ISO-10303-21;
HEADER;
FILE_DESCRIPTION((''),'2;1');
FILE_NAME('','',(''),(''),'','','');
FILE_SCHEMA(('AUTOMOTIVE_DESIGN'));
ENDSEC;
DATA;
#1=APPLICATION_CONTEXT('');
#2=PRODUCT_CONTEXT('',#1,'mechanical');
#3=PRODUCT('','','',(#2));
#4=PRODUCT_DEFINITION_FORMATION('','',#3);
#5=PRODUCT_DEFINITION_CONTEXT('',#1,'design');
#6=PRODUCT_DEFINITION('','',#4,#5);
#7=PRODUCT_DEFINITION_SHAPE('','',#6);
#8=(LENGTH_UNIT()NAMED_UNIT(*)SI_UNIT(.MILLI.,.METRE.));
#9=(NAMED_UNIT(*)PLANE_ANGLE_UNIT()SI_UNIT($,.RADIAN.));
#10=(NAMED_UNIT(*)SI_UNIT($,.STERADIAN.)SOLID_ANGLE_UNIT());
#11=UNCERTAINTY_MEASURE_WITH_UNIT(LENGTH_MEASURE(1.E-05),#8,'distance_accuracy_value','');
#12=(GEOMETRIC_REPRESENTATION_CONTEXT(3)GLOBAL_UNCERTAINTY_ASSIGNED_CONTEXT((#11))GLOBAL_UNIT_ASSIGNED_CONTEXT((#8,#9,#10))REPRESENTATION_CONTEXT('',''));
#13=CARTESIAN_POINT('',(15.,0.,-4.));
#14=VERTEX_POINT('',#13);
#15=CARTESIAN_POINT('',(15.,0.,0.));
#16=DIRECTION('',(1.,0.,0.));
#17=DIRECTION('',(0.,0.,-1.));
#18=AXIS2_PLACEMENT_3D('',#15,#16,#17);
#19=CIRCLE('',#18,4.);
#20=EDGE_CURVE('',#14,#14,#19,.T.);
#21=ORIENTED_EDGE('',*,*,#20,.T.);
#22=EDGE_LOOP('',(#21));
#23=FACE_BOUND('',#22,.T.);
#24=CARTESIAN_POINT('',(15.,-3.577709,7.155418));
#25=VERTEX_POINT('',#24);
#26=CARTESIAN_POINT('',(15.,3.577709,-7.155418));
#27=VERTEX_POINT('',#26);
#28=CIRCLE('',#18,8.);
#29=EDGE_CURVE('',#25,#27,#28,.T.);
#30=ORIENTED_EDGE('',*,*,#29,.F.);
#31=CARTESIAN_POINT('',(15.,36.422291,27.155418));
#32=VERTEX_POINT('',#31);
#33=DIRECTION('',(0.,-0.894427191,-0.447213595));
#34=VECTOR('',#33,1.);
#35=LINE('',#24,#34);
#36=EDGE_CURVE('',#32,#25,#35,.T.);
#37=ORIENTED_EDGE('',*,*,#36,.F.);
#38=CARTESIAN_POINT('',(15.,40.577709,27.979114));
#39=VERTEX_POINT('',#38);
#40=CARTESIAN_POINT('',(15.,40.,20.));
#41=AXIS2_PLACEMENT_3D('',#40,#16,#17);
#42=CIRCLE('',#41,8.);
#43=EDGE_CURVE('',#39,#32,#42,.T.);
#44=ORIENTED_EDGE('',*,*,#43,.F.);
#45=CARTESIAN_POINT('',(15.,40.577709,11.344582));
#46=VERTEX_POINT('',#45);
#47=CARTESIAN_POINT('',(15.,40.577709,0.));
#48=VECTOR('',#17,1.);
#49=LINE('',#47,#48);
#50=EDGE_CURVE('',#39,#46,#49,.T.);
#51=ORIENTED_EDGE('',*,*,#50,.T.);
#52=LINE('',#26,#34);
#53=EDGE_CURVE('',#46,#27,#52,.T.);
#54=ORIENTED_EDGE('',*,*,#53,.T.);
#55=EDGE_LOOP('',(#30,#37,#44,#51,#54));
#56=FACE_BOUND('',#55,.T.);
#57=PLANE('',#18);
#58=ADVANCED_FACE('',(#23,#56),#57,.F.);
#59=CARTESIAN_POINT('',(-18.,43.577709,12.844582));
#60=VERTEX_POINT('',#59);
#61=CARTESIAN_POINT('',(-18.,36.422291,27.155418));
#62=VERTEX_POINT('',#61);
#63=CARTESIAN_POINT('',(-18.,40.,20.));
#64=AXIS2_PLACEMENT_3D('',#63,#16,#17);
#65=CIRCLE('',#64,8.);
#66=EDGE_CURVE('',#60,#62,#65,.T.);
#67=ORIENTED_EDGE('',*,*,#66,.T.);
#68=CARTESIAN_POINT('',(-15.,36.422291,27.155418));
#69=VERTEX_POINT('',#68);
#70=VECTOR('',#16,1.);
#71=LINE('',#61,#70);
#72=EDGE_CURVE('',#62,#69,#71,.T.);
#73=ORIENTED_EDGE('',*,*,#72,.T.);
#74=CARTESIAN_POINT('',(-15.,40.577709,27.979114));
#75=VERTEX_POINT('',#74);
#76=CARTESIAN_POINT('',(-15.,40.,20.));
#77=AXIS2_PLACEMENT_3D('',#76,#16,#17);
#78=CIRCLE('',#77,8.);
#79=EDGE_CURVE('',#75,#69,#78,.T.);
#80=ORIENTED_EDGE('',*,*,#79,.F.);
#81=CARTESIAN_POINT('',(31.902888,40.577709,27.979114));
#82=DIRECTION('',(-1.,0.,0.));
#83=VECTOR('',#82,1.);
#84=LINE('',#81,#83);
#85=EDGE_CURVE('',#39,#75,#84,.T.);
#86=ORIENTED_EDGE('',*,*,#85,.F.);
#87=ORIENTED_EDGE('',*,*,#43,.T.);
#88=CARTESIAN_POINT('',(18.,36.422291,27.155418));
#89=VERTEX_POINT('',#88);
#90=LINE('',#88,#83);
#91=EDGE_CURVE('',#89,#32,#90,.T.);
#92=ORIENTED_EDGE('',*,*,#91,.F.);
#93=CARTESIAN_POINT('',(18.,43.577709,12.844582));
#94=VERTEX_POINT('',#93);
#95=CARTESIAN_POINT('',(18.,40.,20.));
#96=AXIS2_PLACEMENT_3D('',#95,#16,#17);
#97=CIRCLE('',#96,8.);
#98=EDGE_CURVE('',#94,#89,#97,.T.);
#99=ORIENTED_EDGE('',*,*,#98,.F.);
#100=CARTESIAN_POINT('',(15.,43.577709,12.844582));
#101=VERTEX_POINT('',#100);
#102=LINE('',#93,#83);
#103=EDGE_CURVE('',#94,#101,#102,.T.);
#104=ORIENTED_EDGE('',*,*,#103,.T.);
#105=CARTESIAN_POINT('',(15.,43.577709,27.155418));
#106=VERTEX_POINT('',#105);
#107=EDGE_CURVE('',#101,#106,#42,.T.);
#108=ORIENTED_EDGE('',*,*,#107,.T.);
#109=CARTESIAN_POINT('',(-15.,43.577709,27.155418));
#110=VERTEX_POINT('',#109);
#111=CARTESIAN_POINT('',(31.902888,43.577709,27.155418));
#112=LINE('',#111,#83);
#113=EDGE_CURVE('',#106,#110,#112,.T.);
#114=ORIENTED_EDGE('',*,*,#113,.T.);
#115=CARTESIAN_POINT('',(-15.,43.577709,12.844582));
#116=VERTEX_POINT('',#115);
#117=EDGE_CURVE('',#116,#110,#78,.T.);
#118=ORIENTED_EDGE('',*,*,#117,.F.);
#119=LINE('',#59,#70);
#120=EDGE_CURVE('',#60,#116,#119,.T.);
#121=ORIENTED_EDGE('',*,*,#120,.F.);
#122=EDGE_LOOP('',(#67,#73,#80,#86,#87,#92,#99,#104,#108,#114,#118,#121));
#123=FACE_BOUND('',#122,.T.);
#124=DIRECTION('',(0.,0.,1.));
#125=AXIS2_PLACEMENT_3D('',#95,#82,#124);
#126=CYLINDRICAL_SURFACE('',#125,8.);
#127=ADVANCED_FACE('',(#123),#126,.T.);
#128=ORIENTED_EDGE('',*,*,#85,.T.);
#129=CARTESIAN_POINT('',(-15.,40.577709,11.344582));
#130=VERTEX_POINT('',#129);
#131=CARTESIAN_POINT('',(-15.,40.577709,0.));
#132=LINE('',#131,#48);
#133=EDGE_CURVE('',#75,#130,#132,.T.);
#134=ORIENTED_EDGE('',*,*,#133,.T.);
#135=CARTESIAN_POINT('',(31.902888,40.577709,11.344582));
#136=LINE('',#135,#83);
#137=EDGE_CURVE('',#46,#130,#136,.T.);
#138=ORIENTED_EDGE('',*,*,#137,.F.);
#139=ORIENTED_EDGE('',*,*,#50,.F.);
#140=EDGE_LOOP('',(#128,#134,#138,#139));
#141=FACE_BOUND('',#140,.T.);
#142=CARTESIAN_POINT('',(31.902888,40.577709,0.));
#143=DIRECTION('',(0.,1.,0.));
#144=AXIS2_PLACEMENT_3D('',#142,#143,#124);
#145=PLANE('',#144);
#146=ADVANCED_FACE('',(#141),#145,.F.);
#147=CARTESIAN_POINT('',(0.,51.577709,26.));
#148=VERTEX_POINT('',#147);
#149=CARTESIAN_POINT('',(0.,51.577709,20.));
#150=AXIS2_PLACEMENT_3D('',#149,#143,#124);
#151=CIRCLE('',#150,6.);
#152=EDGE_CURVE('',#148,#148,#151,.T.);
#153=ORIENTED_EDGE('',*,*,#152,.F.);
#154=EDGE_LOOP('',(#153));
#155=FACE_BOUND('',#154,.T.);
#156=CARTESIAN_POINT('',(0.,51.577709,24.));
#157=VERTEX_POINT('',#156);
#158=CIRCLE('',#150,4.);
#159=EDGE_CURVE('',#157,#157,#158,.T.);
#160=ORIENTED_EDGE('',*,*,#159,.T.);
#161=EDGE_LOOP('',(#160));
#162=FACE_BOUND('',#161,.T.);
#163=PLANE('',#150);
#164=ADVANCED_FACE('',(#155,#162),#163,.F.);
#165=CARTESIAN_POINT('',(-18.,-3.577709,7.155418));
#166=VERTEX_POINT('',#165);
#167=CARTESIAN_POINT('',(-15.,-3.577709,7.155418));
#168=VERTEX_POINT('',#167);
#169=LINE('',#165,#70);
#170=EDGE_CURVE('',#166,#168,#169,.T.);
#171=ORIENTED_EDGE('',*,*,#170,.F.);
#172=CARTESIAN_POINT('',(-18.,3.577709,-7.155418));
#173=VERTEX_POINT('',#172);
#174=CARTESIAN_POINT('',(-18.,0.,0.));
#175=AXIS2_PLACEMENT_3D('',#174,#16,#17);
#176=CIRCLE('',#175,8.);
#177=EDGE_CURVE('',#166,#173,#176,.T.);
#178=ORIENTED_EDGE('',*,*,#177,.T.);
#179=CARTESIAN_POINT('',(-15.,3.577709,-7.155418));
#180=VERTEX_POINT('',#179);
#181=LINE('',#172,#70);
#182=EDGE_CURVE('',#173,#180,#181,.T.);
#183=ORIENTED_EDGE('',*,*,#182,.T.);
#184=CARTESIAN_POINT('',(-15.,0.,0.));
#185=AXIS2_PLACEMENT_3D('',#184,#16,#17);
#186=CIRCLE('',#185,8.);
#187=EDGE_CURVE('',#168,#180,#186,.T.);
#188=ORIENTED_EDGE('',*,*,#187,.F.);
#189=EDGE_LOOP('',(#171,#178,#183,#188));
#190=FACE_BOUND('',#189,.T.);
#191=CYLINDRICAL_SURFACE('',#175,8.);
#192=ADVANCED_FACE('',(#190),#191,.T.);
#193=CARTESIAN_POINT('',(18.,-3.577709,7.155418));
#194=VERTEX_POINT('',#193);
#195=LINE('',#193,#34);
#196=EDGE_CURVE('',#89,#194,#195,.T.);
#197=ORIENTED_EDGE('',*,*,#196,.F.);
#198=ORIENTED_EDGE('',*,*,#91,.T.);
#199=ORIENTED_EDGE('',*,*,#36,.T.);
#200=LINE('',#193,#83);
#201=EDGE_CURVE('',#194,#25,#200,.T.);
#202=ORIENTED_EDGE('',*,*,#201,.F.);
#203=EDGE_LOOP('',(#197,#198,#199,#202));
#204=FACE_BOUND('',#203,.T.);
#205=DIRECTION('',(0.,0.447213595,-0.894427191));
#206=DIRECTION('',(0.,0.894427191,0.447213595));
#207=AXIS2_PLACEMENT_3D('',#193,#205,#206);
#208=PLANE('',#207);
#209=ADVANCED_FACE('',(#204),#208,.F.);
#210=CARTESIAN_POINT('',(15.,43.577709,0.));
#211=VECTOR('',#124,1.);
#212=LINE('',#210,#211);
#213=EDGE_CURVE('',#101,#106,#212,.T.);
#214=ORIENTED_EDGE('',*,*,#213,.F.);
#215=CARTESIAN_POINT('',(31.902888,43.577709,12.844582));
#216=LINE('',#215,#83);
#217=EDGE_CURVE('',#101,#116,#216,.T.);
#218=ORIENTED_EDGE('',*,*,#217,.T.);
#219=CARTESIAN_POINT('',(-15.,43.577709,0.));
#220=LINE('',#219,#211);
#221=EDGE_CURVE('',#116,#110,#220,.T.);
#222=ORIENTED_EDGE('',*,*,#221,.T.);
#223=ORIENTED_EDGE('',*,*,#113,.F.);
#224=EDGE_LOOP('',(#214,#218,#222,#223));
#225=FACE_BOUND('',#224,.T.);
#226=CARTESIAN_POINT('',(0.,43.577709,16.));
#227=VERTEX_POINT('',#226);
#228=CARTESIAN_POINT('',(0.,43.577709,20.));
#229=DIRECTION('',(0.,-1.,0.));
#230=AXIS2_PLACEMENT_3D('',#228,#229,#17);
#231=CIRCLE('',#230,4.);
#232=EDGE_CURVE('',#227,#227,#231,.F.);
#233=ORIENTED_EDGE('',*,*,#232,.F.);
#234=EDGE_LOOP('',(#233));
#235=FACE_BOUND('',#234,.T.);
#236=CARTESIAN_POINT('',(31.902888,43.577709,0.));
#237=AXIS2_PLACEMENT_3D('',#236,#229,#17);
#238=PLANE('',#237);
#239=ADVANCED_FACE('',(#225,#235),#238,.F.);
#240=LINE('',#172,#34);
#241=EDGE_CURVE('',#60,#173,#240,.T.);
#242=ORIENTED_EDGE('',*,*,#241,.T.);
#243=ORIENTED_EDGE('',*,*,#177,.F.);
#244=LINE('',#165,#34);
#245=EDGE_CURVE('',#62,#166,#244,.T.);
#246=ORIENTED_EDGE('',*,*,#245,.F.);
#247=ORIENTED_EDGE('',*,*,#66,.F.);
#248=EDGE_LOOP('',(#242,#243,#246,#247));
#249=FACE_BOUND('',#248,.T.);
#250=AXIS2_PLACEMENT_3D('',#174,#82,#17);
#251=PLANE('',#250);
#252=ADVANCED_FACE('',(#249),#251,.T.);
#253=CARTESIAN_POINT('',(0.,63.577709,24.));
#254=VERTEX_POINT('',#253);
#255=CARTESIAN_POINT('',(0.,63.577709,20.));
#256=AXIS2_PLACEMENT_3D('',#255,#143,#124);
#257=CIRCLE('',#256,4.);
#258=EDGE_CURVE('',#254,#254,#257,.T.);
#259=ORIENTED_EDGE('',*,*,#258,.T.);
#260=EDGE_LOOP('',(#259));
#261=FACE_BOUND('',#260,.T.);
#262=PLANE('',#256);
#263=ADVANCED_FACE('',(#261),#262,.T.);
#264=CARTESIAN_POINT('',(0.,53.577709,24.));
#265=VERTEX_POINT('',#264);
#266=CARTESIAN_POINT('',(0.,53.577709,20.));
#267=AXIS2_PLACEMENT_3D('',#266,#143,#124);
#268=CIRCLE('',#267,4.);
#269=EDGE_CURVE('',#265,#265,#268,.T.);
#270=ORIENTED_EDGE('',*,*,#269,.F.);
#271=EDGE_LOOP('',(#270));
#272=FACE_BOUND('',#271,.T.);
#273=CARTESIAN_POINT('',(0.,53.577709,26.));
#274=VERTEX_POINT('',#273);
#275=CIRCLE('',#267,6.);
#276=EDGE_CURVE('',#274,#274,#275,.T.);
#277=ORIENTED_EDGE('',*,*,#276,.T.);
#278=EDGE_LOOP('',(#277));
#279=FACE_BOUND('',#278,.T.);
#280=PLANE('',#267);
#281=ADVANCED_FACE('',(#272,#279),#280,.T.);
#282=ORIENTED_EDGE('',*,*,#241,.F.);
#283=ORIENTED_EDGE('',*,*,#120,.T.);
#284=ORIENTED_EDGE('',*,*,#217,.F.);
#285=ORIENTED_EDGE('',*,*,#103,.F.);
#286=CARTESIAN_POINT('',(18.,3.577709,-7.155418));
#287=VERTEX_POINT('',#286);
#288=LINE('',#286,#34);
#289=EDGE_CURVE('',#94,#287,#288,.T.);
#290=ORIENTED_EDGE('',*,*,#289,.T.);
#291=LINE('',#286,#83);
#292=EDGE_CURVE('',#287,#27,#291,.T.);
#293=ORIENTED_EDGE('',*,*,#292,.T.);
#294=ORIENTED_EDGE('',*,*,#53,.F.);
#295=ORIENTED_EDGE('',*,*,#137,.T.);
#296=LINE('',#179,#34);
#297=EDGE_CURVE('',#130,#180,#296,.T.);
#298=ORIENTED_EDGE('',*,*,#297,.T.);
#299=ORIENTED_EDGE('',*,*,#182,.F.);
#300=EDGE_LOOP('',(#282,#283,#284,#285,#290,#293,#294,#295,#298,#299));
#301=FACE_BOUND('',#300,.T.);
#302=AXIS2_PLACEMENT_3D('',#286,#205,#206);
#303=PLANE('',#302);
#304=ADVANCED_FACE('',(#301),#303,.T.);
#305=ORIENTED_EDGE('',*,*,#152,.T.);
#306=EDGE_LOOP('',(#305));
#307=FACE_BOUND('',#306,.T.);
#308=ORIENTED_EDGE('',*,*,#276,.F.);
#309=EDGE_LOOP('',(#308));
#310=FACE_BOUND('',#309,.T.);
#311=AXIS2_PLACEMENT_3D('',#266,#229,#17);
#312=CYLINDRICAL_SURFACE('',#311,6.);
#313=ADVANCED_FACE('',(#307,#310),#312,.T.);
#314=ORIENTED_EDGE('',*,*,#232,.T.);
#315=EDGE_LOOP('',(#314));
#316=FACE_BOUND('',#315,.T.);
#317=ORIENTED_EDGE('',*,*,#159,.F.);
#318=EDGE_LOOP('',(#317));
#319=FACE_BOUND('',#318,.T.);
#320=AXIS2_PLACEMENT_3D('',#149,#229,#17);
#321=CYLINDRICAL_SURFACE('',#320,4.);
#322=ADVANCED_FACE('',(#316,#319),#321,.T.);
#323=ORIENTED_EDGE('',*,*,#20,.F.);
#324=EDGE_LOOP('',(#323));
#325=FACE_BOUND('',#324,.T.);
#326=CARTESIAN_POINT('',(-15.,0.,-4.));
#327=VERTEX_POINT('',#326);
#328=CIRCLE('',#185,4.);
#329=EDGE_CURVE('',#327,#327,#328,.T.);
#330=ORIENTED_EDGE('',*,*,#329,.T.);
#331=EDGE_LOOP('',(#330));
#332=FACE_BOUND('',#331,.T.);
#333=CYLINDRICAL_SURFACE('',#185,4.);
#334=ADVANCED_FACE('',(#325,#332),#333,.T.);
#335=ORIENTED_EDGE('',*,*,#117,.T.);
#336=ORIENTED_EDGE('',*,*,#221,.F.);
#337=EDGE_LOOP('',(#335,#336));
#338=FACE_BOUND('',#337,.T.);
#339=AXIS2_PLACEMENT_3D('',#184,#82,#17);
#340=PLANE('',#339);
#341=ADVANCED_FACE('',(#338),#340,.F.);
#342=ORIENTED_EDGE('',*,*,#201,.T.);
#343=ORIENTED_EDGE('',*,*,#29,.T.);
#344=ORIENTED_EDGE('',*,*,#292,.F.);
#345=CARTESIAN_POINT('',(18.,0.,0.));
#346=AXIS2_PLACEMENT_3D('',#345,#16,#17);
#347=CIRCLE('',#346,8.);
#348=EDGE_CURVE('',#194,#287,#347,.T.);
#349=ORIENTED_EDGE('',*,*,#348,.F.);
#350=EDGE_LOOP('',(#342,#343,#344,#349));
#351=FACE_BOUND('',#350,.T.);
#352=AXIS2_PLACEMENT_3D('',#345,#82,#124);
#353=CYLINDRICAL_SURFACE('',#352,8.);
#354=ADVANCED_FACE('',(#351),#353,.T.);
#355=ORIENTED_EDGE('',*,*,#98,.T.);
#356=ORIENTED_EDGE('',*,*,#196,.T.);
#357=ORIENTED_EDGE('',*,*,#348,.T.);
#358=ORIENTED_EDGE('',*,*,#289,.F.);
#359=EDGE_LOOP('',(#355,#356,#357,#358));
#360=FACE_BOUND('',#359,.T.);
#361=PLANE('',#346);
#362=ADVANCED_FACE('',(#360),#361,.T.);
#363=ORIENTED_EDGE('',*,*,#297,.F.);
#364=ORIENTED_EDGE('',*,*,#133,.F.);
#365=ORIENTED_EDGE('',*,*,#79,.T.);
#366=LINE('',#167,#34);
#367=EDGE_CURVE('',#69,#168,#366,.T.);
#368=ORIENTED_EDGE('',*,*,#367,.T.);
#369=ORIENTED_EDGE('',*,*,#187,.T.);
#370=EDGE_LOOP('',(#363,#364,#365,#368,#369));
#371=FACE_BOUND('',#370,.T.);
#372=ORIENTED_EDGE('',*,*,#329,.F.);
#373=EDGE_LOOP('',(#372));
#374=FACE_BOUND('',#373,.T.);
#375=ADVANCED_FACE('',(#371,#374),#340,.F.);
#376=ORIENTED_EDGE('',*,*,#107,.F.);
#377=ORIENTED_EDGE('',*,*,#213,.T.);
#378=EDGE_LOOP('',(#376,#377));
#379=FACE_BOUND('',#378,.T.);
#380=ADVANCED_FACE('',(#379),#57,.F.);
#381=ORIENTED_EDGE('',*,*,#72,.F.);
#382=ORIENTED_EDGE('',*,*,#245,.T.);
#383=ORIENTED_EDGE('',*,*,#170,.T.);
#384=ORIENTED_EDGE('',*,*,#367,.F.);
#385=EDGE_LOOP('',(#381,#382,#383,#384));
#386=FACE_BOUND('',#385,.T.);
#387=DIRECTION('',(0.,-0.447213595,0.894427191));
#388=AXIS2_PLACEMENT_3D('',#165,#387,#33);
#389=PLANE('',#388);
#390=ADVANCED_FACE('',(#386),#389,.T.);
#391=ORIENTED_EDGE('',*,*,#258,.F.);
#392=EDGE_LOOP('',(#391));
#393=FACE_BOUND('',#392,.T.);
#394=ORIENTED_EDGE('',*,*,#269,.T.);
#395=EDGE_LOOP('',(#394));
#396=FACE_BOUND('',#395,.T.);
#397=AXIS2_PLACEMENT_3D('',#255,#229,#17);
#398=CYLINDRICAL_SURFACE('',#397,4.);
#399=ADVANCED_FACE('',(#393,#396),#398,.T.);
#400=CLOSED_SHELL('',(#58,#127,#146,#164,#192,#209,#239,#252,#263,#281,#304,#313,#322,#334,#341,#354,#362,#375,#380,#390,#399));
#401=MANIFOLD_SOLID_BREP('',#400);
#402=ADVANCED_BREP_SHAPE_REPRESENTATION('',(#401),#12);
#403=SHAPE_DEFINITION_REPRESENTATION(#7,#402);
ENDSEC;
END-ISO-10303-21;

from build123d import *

# Parameters (mm, degrees)
EXTRUDE_1_DEPTH      = 15
EXTRUDE_1_DEPTH_BACK = 15
SKETCH_1_R           = 4
SKETCH_2_R           = 8
SKETCH_2_R_2         = 4
EXTRUDE_3_DEPTH      = 3
EXTRUDE_4_DEPTH      = 30
SKETCH_4_R           = 4
EXTRUDE_5_DEPTH      = 8
SKETCH_5_R           = 6
EXTRUDE_6_DEPTH      = 2
SKETCH_6_R           = 4
EXTRUDE_7_DEPTH      = 10


with BuildPart() as part:
    # 草图1 → 凸台-拉伸1 (new, two sides: drawn at the far end of the back side and taken through both)
    with BuildSketch(Plane(origin=(0, 0, 0), x_dir=(0, 0, -1), z_dir=(1, 0, 0)).offset(-EXTRUDE_1_DEPTH_BACK)):
        Circle(SKETCH_1_R)
    extrude(amount=EXTRUDE_1_DEPTH + EXTRUDE_1_DEPTH_BACK)

    # 草图2 → 凸台-拉伸3 (add)
    # profile 1 of 4: a face of its own
    with BuildSketch(Plane(origin=(15, 0, 0), x_dir=(0, 0, -1), z_dir=(1, 0, 0))):
        with Locations((-20, 40)):
            Circle(SKETCH_2_R)
    # profile 2 of 4: a face of its own
    with BuildSketch(Plane(origin=(15, 0, 0), x_dir=(0, 0, -1), z_dir=(1, 0, 0))):
        Circle(SKETCH_2_R)
        Circle(SKETCH_2_R_2, mode=Mode.SUBTRACT)
    # profile 3 of 4: a face of its own
    with BuildSketch(Plane(origin=(15, 0, 0), x_dir=(0, 0, -1), z_dir=(1, 0, 0))):
        Circle(SKETCH_2_R_2)
    # profile 4 of 4: a face of its own
    with BuildSketch(Plane(origin=(15, 0, 0), x_dir=(0, 0, -1), z_dir=(1, 0, 0))):
        with BuildLine():
            ThreePointArc((-12, 40), (-18.161976636, 32.214008084), (-27.155417528, 36.422291236))
            Line((-27.155417528, 36.422291236), (-7.155417528, -3.577708764))
            ThreePointArc((-7.155417528, -3.577708764), (-3.577708764, 7.155417528), (7.155417528, 3.577708764))
            Line((7.155417528, 3.577708764), (-12.844582472, 43.577708764))
            ThreePointArc((-12.844582472, 43.577708764), (-12.214008084, 41.838023364), (-12, 40))
        make_face()
    extrude_3 = extrude(amount=EXTRUDE_3_DEPTH)

    # 镜向2: 凸台-拉伸3 across plane
    add(extrude_3.mirror(Plane(origin=(0, 0, 0), x_dir=(0, 0, 1), z_dir=(1, 0, 0))))

    # 草图3 → 凸台-拉伸4 (add)
    with BuildSketch(Plane(origin=(-15, 0, 0), x_dir=(0, 0, -1), z_dir=(1, 0, 0))):
        with BuildLine():
            Line((-11.344582472, 40.577708764), (-12.844582472, 43.577708764))
            Line((-12.844582472, 43.577708764), (-27.155417528, 43.577708764))
            ThreePointArc((-27.155417528, 43.577708764), (-27.714499823, 42.118134198), (-27.979113521, 40.577708764))
            Line((-27.979113521, 40.577708764), (-11.344582472, 40.577708764))
        make_face()
    extrude(amount=EXTRUDE_4_DEPTH)

    # 草图4 → 凸台-拉伸5 (add)
    with BuildSketch(Plane(origin=(0, 43.577708764, 0), x_dir=(1, 0, 0), z_dir=(0, 1, 0))):
        with Locations(Location((0, -20, 0), (0, 0, 90))):
            Circle(SKETCH_4_R)
    extrude(amount=EXTRUDE_5_DEPTH)

    # 草图5 → 凸台-拉伸6 (add)
    with BuildSketch(Plane(origin=(0, 51.577708764, 0), x_dir=(1, 0, 0), z_dir=(0, 1, 0))):
        with Locations(Location((0, -20, 0), (0, 0, 270))):
            Circle(SKETCH_5_R)
    extrude(amount=EXTRUDE_6_DEPTH)

    # 草图6 → 凸台-拉伸7 (add)
    with BuildSketch(Plane(origin=(0, 53.577708764, 0), x_dir=(1, 0, 0), z_dir=(0, 1, 0))):
        with Locations(Location((0, -20, 0), (0, 0, 90))):
            Circle(SKETCH_6_R)
    extrude(amount=EXTRUDE_7_DEPTH)


solid = part.part
